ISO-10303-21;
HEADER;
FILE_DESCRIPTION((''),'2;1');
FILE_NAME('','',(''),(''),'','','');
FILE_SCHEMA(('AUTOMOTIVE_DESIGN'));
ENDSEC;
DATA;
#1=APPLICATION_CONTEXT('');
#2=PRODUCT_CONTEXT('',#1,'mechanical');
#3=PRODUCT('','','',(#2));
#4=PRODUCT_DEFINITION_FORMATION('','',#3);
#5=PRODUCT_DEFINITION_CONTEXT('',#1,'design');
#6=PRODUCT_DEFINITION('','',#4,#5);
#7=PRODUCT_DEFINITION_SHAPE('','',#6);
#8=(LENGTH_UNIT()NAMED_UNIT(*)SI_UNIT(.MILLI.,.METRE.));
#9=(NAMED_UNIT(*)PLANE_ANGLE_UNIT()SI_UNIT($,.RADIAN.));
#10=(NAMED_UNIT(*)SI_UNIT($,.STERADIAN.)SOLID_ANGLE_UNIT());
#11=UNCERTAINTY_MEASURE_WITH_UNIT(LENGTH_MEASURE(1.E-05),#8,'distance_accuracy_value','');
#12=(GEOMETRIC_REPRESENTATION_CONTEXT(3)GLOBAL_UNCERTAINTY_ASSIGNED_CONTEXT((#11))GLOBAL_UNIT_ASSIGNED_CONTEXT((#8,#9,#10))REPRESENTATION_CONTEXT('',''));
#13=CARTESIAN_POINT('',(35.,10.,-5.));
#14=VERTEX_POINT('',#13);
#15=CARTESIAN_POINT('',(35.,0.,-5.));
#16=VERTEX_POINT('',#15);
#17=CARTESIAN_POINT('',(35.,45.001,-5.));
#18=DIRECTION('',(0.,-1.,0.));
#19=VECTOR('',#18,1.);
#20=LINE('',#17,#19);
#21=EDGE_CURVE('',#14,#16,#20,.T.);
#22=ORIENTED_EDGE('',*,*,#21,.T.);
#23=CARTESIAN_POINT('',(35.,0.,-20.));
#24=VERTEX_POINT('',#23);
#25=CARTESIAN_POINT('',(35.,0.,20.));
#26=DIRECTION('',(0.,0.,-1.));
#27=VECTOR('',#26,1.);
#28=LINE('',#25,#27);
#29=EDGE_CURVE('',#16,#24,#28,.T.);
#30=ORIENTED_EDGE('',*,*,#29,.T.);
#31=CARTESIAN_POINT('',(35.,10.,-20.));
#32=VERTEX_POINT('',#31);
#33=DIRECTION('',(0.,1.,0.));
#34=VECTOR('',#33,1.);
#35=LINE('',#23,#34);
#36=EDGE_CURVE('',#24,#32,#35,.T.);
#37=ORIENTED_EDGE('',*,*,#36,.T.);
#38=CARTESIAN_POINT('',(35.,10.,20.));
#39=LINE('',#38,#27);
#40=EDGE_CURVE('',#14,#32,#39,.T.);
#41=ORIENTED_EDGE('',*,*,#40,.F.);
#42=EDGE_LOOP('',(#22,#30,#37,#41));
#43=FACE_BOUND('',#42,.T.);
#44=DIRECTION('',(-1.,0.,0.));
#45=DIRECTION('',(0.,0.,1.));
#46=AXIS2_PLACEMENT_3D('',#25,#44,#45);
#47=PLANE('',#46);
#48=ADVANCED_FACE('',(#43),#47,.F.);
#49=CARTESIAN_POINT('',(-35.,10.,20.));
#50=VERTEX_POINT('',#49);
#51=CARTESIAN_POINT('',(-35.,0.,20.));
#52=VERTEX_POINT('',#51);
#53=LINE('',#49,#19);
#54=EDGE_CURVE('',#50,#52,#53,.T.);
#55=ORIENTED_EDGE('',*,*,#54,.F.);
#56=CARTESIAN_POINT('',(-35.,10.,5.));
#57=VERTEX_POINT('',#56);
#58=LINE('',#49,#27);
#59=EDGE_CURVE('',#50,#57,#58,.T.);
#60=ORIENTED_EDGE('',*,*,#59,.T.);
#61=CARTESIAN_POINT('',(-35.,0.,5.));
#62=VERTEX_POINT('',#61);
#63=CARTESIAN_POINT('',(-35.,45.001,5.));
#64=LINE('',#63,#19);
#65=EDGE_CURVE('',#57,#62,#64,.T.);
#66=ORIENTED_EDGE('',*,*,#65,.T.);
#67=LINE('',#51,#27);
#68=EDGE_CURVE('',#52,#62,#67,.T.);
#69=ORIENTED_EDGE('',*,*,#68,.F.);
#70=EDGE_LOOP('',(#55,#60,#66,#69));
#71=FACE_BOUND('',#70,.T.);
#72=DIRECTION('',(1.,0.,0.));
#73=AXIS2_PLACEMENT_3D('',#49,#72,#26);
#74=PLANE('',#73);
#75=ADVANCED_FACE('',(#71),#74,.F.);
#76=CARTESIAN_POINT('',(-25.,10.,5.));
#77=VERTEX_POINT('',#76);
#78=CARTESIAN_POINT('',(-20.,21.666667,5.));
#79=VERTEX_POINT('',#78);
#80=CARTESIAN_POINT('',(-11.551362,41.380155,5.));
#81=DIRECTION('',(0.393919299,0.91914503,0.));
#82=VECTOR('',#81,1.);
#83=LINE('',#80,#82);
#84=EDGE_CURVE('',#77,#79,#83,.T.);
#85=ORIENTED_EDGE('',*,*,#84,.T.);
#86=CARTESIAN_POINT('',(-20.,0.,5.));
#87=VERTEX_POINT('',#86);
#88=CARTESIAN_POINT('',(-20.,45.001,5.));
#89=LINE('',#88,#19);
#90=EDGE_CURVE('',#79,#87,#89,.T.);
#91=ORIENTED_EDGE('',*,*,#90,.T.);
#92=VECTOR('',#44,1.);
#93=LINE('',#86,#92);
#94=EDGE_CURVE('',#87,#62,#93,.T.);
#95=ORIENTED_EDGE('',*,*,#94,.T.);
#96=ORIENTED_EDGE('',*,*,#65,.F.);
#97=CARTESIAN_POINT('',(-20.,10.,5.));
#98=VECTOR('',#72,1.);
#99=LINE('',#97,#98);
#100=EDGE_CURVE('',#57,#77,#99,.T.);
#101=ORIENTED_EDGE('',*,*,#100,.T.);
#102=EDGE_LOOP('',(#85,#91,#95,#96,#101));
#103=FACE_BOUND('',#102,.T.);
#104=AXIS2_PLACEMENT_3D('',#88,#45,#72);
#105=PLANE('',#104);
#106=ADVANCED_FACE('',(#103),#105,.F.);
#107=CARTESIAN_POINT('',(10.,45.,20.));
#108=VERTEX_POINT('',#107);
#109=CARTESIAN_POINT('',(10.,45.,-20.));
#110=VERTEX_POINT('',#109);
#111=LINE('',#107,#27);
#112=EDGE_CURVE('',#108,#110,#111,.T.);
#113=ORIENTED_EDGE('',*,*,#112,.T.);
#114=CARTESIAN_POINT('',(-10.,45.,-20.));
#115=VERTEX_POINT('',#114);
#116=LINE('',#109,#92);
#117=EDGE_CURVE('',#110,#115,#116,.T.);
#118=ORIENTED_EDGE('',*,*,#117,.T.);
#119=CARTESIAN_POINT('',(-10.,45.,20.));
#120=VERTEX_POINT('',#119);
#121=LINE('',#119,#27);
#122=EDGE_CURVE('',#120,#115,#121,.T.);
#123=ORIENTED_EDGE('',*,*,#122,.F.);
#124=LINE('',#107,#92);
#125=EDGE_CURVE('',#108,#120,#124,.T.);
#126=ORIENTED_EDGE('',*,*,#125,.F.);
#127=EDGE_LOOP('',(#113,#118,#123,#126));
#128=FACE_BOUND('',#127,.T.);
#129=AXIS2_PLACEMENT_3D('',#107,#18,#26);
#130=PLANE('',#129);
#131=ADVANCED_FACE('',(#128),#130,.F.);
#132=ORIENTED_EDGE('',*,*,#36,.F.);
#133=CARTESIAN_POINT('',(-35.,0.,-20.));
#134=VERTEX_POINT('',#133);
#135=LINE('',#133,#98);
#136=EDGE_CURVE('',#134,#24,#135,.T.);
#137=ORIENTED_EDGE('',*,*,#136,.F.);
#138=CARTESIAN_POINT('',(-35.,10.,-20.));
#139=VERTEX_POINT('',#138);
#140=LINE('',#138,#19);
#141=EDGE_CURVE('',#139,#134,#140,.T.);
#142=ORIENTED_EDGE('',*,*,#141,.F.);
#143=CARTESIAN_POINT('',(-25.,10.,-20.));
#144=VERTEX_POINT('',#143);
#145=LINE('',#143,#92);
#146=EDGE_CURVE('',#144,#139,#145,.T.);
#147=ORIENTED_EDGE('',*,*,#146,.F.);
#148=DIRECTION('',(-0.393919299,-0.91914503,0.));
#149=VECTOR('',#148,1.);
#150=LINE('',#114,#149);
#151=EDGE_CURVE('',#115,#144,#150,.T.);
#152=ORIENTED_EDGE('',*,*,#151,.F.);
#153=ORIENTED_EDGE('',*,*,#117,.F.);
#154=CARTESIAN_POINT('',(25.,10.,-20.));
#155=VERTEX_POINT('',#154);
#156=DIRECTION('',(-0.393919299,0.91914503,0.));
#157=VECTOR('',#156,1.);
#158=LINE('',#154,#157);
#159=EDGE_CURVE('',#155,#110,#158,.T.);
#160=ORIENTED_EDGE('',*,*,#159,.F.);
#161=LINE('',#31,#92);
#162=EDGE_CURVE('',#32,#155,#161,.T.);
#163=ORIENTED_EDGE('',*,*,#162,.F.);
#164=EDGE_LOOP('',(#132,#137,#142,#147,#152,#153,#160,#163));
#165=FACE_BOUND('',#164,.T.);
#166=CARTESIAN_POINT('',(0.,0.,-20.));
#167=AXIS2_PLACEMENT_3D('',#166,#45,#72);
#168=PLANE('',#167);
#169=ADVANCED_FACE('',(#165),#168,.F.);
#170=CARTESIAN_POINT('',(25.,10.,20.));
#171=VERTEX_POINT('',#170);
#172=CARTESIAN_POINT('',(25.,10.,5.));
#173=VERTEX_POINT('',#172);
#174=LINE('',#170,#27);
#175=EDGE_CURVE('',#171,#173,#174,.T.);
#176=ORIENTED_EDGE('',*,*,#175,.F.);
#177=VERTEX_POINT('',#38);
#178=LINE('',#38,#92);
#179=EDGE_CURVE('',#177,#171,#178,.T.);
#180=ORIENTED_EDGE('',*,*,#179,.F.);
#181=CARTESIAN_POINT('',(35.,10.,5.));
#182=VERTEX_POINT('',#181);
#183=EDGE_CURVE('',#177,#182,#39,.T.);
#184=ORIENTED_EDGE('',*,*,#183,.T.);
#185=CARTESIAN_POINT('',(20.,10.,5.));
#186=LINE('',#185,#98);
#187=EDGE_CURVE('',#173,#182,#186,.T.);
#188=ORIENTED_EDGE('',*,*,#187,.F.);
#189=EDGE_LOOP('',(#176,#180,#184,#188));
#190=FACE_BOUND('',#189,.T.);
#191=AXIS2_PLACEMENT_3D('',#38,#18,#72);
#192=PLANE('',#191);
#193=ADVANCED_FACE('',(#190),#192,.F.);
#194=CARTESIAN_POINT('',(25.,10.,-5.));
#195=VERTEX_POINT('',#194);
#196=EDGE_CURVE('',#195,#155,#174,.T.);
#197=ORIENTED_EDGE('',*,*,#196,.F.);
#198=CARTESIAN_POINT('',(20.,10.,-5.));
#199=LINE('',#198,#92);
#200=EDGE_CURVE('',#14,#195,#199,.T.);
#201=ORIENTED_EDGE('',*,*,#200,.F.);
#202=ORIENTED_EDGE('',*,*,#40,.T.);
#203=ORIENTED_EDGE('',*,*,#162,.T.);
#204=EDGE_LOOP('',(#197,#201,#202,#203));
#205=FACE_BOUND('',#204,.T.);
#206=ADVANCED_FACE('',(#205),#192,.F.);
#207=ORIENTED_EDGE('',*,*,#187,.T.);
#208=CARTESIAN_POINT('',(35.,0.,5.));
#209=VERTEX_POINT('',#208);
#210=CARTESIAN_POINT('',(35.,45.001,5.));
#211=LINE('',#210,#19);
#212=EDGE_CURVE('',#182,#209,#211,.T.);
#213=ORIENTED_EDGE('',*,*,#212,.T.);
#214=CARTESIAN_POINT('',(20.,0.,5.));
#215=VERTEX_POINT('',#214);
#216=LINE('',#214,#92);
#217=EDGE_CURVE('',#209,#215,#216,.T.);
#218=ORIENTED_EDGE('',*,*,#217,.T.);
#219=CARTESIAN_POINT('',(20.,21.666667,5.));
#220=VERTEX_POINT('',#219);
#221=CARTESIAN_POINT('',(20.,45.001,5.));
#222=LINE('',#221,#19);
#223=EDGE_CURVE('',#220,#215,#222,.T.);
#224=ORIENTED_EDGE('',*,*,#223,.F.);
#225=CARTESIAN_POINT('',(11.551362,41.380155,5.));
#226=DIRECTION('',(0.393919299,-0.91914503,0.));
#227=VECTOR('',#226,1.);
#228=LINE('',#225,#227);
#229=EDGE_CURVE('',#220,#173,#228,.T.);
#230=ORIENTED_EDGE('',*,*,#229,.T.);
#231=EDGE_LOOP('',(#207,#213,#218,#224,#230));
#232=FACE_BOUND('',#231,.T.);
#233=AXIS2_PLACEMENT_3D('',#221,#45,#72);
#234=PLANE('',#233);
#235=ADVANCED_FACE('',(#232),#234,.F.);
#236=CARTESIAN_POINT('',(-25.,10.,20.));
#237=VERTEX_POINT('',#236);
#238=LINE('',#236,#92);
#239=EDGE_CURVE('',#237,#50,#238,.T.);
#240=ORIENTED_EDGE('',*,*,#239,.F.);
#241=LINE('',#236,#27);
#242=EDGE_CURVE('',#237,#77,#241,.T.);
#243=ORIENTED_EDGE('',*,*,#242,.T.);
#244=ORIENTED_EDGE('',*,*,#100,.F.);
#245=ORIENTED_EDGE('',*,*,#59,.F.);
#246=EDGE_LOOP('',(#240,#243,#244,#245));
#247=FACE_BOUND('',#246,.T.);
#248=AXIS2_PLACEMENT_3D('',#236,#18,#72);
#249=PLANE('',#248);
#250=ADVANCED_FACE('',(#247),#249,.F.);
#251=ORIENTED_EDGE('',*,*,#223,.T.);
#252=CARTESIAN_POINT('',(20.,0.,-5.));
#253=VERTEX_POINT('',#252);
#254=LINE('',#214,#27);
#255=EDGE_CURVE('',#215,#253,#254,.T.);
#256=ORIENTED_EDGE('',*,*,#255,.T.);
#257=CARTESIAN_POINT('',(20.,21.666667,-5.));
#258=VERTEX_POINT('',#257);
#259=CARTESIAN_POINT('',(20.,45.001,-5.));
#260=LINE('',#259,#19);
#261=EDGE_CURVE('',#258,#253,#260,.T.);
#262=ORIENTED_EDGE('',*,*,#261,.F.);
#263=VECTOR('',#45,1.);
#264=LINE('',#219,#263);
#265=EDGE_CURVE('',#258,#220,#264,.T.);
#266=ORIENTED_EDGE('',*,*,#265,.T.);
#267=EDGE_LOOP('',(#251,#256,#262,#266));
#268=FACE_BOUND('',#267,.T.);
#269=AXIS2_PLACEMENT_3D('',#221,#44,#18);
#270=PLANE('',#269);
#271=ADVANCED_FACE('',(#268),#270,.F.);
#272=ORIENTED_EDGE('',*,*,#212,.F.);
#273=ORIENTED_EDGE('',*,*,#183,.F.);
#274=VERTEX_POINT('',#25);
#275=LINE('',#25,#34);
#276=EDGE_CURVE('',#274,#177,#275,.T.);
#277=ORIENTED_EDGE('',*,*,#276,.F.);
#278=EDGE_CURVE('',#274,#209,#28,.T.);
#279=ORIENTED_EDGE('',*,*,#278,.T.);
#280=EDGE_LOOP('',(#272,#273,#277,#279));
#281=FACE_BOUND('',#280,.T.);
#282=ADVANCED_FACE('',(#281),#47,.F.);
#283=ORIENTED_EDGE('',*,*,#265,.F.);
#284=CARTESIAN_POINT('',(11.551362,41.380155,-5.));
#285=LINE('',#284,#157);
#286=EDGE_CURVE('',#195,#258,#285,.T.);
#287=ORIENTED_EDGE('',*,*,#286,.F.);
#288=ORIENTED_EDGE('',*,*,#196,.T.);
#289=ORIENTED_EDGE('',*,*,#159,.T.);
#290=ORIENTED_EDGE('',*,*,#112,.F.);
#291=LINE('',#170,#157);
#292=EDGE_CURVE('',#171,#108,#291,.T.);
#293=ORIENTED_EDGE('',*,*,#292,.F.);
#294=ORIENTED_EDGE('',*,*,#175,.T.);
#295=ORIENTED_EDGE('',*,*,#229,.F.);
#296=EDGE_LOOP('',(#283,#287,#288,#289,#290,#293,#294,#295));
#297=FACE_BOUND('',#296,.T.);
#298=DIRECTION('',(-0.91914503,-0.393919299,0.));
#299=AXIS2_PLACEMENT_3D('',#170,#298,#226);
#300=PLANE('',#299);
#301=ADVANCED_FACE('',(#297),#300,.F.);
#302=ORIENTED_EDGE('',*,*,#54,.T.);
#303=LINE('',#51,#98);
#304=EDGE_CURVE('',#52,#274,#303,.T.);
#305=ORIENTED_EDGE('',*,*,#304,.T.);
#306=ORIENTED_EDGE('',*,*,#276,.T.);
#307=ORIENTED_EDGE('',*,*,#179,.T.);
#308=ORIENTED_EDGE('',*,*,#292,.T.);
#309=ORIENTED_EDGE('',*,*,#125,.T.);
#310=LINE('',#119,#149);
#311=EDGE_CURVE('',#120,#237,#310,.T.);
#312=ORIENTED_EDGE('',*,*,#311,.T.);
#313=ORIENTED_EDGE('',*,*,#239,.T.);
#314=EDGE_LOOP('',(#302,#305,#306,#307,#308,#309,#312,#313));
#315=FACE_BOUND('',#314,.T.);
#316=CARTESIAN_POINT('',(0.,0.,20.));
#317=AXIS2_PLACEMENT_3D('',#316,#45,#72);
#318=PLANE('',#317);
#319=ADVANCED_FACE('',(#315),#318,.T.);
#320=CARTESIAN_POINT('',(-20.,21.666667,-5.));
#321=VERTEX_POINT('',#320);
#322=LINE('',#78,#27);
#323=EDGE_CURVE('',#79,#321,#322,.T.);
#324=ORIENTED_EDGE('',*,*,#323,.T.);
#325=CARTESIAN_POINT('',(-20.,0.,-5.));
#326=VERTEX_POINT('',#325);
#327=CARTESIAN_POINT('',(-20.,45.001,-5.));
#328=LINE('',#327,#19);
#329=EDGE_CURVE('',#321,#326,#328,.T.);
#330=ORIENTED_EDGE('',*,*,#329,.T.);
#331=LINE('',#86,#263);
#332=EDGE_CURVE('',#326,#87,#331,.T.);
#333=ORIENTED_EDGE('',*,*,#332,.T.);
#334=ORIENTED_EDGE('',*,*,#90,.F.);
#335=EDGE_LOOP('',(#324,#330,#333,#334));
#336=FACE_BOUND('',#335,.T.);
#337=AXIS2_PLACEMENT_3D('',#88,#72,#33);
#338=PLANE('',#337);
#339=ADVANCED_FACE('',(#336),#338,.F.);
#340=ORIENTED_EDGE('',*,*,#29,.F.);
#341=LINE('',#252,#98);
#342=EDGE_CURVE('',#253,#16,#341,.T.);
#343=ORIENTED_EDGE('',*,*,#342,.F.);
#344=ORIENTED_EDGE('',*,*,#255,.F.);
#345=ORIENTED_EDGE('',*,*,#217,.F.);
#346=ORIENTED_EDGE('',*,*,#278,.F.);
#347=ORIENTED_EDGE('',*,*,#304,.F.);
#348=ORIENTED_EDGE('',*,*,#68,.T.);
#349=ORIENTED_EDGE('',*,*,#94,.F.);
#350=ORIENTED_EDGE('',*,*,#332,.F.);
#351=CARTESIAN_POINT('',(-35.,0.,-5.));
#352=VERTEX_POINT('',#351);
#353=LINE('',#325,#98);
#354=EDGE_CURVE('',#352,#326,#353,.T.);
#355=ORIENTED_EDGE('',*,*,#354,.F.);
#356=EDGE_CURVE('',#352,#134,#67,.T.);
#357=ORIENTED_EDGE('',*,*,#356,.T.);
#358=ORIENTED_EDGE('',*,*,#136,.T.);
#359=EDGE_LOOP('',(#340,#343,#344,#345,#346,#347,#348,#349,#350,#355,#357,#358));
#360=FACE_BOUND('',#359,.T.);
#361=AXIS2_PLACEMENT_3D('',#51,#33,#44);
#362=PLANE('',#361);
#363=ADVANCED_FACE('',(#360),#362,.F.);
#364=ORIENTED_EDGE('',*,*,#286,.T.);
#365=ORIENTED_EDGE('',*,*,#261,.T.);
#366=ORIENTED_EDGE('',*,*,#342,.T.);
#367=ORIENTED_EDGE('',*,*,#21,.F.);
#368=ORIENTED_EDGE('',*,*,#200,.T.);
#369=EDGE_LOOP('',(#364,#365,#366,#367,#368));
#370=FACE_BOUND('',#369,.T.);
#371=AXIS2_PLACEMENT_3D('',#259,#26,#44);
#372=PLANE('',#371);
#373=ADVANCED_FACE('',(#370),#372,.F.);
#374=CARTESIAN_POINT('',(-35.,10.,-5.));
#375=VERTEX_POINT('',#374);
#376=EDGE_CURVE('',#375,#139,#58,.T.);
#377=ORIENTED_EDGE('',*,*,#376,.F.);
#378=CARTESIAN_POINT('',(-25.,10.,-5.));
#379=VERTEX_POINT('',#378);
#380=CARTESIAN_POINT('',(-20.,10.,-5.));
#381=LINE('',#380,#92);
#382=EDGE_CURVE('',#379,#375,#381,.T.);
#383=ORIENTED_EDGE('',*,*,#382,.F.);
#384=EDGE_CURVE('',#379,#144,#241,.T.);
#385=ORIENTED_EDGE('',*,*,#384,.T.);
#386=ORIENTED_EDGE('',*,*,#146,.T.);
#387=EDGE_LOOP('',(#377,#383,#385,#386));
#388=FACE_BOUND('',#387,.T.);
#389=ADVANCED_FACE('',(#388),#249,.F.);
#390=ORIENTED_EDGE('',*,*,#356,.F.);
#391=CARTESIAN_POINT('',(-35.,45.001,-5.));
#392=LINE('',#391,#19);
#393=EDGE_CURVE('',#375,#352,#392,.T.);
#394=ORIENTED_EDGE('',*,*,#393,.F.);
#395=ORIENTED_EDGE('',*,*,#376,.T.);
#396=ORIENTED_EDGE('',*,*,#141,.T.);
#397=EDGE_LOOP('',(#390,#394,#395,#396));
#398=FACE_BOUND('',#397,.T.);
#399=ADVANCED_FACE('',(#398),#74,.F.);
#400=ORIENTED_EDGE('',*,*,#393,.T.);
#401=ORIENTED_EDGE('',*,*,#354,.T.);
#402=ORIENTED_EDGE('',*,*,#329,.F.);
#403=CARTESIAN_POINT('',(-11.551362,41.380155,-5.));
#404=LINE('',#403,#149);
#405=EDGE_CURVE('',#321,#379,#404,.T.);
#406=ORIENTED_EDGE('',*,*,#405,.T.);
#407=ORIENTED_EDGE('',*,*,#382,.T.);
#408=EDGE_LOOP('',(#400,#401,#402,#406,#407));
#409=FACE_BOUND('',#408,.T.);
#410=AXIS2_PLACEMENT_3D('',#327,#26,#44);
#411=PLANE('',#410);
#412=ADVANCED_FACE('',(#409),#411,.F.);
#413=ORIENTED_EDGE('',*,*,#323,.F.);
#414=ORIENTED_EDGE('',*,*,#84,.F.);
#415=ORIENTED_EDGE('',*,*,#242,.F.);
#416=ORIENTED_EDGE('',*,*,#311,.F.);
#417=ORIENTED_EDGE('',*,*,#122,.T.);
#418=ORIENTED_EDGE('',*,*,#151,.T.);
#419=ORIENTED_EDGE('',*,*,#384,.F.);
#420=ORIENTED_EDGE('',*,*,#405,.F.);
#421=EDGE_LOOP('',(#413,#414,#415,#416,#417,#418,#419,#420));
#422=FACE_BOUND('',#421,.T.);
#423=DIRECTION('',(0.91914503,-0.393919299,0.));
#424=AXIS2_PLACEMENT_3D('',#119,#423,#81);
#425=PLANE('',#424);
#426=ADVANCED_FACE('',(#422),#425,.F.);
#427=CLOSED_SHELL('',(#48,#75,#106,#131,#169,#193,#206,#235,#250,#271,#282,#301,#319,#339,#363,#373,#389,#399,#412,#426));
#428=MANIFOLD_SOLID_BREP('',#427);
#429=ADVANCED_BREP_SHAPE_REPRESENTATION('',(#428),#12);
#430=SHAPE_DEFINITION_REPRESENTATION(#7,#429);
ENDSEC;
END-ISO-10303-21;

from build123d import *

# Parameters (mm, degrees)
SALIENTE_EXTRUIR1_DEPTH = 20
CORTAR_EXTRUIR2_REACH   = 62.415
CROQUIS2_W              = 15
CROQUIS2_H              = 10


with BuildPart() as part:
    # Croquis1 → Saliente-Extruir1 (new, symmetric)
    with BuildSketch(Plane.XY):
        Polygon((-35, 0), (35, 0), (35, 10), (25, 10), (10, 45), (-10, 45), (-25, 10), (-35, 10), align=None)
    extrude(amount=SALIENTE_EXTRUIR1_DEPTH, both=True)

    # Croquis2 → Cortar-Extruir2 (cut, up to next)
    with BuildSketch(Plane.XZ, mode=Mode.PRIVATE) as cortar_extruir2_sk1:
        with Locations((27.5, 0)):
            Rectangle(CROQUIS2_W, CROQUIS2_H)
    cortar_extruir2_tool1 = extrude(cortar_extruir2_sk1.sketch, amount=-CORTAR_EXTRUIR2_REACH, mode=Mode.PRIVATE) & part.part
    # Croquis2 → Cortar-Extruir2 (cut, up to next)
    with BuildSketch(Plane.XZ, mode=Mode.PRIVATE) as cortar_extruir2_sk2:
        with Locations((-27.5, 0)):
            Rectangle(CROQUIS2_W, CROQUIS2_H)
    cortar_extruir2_tool2 = extrude(cortar_extruir2_sk2.sketch, amount=-CORTAR_EXTRUIR2_REACH, mode=Mode.PRIVATE) & part.part
    add(cortar_extruir2_tool1.solids().sort_by_distance((27.5, 0, 0))[0], mode=Mode.SUBTRACT)
    add(cortar_extruir2_tool2.solids().sort_by_distance((-27.5, 0, 0))[0], mode=Mode.SUBTRACT)


solid = part.part
